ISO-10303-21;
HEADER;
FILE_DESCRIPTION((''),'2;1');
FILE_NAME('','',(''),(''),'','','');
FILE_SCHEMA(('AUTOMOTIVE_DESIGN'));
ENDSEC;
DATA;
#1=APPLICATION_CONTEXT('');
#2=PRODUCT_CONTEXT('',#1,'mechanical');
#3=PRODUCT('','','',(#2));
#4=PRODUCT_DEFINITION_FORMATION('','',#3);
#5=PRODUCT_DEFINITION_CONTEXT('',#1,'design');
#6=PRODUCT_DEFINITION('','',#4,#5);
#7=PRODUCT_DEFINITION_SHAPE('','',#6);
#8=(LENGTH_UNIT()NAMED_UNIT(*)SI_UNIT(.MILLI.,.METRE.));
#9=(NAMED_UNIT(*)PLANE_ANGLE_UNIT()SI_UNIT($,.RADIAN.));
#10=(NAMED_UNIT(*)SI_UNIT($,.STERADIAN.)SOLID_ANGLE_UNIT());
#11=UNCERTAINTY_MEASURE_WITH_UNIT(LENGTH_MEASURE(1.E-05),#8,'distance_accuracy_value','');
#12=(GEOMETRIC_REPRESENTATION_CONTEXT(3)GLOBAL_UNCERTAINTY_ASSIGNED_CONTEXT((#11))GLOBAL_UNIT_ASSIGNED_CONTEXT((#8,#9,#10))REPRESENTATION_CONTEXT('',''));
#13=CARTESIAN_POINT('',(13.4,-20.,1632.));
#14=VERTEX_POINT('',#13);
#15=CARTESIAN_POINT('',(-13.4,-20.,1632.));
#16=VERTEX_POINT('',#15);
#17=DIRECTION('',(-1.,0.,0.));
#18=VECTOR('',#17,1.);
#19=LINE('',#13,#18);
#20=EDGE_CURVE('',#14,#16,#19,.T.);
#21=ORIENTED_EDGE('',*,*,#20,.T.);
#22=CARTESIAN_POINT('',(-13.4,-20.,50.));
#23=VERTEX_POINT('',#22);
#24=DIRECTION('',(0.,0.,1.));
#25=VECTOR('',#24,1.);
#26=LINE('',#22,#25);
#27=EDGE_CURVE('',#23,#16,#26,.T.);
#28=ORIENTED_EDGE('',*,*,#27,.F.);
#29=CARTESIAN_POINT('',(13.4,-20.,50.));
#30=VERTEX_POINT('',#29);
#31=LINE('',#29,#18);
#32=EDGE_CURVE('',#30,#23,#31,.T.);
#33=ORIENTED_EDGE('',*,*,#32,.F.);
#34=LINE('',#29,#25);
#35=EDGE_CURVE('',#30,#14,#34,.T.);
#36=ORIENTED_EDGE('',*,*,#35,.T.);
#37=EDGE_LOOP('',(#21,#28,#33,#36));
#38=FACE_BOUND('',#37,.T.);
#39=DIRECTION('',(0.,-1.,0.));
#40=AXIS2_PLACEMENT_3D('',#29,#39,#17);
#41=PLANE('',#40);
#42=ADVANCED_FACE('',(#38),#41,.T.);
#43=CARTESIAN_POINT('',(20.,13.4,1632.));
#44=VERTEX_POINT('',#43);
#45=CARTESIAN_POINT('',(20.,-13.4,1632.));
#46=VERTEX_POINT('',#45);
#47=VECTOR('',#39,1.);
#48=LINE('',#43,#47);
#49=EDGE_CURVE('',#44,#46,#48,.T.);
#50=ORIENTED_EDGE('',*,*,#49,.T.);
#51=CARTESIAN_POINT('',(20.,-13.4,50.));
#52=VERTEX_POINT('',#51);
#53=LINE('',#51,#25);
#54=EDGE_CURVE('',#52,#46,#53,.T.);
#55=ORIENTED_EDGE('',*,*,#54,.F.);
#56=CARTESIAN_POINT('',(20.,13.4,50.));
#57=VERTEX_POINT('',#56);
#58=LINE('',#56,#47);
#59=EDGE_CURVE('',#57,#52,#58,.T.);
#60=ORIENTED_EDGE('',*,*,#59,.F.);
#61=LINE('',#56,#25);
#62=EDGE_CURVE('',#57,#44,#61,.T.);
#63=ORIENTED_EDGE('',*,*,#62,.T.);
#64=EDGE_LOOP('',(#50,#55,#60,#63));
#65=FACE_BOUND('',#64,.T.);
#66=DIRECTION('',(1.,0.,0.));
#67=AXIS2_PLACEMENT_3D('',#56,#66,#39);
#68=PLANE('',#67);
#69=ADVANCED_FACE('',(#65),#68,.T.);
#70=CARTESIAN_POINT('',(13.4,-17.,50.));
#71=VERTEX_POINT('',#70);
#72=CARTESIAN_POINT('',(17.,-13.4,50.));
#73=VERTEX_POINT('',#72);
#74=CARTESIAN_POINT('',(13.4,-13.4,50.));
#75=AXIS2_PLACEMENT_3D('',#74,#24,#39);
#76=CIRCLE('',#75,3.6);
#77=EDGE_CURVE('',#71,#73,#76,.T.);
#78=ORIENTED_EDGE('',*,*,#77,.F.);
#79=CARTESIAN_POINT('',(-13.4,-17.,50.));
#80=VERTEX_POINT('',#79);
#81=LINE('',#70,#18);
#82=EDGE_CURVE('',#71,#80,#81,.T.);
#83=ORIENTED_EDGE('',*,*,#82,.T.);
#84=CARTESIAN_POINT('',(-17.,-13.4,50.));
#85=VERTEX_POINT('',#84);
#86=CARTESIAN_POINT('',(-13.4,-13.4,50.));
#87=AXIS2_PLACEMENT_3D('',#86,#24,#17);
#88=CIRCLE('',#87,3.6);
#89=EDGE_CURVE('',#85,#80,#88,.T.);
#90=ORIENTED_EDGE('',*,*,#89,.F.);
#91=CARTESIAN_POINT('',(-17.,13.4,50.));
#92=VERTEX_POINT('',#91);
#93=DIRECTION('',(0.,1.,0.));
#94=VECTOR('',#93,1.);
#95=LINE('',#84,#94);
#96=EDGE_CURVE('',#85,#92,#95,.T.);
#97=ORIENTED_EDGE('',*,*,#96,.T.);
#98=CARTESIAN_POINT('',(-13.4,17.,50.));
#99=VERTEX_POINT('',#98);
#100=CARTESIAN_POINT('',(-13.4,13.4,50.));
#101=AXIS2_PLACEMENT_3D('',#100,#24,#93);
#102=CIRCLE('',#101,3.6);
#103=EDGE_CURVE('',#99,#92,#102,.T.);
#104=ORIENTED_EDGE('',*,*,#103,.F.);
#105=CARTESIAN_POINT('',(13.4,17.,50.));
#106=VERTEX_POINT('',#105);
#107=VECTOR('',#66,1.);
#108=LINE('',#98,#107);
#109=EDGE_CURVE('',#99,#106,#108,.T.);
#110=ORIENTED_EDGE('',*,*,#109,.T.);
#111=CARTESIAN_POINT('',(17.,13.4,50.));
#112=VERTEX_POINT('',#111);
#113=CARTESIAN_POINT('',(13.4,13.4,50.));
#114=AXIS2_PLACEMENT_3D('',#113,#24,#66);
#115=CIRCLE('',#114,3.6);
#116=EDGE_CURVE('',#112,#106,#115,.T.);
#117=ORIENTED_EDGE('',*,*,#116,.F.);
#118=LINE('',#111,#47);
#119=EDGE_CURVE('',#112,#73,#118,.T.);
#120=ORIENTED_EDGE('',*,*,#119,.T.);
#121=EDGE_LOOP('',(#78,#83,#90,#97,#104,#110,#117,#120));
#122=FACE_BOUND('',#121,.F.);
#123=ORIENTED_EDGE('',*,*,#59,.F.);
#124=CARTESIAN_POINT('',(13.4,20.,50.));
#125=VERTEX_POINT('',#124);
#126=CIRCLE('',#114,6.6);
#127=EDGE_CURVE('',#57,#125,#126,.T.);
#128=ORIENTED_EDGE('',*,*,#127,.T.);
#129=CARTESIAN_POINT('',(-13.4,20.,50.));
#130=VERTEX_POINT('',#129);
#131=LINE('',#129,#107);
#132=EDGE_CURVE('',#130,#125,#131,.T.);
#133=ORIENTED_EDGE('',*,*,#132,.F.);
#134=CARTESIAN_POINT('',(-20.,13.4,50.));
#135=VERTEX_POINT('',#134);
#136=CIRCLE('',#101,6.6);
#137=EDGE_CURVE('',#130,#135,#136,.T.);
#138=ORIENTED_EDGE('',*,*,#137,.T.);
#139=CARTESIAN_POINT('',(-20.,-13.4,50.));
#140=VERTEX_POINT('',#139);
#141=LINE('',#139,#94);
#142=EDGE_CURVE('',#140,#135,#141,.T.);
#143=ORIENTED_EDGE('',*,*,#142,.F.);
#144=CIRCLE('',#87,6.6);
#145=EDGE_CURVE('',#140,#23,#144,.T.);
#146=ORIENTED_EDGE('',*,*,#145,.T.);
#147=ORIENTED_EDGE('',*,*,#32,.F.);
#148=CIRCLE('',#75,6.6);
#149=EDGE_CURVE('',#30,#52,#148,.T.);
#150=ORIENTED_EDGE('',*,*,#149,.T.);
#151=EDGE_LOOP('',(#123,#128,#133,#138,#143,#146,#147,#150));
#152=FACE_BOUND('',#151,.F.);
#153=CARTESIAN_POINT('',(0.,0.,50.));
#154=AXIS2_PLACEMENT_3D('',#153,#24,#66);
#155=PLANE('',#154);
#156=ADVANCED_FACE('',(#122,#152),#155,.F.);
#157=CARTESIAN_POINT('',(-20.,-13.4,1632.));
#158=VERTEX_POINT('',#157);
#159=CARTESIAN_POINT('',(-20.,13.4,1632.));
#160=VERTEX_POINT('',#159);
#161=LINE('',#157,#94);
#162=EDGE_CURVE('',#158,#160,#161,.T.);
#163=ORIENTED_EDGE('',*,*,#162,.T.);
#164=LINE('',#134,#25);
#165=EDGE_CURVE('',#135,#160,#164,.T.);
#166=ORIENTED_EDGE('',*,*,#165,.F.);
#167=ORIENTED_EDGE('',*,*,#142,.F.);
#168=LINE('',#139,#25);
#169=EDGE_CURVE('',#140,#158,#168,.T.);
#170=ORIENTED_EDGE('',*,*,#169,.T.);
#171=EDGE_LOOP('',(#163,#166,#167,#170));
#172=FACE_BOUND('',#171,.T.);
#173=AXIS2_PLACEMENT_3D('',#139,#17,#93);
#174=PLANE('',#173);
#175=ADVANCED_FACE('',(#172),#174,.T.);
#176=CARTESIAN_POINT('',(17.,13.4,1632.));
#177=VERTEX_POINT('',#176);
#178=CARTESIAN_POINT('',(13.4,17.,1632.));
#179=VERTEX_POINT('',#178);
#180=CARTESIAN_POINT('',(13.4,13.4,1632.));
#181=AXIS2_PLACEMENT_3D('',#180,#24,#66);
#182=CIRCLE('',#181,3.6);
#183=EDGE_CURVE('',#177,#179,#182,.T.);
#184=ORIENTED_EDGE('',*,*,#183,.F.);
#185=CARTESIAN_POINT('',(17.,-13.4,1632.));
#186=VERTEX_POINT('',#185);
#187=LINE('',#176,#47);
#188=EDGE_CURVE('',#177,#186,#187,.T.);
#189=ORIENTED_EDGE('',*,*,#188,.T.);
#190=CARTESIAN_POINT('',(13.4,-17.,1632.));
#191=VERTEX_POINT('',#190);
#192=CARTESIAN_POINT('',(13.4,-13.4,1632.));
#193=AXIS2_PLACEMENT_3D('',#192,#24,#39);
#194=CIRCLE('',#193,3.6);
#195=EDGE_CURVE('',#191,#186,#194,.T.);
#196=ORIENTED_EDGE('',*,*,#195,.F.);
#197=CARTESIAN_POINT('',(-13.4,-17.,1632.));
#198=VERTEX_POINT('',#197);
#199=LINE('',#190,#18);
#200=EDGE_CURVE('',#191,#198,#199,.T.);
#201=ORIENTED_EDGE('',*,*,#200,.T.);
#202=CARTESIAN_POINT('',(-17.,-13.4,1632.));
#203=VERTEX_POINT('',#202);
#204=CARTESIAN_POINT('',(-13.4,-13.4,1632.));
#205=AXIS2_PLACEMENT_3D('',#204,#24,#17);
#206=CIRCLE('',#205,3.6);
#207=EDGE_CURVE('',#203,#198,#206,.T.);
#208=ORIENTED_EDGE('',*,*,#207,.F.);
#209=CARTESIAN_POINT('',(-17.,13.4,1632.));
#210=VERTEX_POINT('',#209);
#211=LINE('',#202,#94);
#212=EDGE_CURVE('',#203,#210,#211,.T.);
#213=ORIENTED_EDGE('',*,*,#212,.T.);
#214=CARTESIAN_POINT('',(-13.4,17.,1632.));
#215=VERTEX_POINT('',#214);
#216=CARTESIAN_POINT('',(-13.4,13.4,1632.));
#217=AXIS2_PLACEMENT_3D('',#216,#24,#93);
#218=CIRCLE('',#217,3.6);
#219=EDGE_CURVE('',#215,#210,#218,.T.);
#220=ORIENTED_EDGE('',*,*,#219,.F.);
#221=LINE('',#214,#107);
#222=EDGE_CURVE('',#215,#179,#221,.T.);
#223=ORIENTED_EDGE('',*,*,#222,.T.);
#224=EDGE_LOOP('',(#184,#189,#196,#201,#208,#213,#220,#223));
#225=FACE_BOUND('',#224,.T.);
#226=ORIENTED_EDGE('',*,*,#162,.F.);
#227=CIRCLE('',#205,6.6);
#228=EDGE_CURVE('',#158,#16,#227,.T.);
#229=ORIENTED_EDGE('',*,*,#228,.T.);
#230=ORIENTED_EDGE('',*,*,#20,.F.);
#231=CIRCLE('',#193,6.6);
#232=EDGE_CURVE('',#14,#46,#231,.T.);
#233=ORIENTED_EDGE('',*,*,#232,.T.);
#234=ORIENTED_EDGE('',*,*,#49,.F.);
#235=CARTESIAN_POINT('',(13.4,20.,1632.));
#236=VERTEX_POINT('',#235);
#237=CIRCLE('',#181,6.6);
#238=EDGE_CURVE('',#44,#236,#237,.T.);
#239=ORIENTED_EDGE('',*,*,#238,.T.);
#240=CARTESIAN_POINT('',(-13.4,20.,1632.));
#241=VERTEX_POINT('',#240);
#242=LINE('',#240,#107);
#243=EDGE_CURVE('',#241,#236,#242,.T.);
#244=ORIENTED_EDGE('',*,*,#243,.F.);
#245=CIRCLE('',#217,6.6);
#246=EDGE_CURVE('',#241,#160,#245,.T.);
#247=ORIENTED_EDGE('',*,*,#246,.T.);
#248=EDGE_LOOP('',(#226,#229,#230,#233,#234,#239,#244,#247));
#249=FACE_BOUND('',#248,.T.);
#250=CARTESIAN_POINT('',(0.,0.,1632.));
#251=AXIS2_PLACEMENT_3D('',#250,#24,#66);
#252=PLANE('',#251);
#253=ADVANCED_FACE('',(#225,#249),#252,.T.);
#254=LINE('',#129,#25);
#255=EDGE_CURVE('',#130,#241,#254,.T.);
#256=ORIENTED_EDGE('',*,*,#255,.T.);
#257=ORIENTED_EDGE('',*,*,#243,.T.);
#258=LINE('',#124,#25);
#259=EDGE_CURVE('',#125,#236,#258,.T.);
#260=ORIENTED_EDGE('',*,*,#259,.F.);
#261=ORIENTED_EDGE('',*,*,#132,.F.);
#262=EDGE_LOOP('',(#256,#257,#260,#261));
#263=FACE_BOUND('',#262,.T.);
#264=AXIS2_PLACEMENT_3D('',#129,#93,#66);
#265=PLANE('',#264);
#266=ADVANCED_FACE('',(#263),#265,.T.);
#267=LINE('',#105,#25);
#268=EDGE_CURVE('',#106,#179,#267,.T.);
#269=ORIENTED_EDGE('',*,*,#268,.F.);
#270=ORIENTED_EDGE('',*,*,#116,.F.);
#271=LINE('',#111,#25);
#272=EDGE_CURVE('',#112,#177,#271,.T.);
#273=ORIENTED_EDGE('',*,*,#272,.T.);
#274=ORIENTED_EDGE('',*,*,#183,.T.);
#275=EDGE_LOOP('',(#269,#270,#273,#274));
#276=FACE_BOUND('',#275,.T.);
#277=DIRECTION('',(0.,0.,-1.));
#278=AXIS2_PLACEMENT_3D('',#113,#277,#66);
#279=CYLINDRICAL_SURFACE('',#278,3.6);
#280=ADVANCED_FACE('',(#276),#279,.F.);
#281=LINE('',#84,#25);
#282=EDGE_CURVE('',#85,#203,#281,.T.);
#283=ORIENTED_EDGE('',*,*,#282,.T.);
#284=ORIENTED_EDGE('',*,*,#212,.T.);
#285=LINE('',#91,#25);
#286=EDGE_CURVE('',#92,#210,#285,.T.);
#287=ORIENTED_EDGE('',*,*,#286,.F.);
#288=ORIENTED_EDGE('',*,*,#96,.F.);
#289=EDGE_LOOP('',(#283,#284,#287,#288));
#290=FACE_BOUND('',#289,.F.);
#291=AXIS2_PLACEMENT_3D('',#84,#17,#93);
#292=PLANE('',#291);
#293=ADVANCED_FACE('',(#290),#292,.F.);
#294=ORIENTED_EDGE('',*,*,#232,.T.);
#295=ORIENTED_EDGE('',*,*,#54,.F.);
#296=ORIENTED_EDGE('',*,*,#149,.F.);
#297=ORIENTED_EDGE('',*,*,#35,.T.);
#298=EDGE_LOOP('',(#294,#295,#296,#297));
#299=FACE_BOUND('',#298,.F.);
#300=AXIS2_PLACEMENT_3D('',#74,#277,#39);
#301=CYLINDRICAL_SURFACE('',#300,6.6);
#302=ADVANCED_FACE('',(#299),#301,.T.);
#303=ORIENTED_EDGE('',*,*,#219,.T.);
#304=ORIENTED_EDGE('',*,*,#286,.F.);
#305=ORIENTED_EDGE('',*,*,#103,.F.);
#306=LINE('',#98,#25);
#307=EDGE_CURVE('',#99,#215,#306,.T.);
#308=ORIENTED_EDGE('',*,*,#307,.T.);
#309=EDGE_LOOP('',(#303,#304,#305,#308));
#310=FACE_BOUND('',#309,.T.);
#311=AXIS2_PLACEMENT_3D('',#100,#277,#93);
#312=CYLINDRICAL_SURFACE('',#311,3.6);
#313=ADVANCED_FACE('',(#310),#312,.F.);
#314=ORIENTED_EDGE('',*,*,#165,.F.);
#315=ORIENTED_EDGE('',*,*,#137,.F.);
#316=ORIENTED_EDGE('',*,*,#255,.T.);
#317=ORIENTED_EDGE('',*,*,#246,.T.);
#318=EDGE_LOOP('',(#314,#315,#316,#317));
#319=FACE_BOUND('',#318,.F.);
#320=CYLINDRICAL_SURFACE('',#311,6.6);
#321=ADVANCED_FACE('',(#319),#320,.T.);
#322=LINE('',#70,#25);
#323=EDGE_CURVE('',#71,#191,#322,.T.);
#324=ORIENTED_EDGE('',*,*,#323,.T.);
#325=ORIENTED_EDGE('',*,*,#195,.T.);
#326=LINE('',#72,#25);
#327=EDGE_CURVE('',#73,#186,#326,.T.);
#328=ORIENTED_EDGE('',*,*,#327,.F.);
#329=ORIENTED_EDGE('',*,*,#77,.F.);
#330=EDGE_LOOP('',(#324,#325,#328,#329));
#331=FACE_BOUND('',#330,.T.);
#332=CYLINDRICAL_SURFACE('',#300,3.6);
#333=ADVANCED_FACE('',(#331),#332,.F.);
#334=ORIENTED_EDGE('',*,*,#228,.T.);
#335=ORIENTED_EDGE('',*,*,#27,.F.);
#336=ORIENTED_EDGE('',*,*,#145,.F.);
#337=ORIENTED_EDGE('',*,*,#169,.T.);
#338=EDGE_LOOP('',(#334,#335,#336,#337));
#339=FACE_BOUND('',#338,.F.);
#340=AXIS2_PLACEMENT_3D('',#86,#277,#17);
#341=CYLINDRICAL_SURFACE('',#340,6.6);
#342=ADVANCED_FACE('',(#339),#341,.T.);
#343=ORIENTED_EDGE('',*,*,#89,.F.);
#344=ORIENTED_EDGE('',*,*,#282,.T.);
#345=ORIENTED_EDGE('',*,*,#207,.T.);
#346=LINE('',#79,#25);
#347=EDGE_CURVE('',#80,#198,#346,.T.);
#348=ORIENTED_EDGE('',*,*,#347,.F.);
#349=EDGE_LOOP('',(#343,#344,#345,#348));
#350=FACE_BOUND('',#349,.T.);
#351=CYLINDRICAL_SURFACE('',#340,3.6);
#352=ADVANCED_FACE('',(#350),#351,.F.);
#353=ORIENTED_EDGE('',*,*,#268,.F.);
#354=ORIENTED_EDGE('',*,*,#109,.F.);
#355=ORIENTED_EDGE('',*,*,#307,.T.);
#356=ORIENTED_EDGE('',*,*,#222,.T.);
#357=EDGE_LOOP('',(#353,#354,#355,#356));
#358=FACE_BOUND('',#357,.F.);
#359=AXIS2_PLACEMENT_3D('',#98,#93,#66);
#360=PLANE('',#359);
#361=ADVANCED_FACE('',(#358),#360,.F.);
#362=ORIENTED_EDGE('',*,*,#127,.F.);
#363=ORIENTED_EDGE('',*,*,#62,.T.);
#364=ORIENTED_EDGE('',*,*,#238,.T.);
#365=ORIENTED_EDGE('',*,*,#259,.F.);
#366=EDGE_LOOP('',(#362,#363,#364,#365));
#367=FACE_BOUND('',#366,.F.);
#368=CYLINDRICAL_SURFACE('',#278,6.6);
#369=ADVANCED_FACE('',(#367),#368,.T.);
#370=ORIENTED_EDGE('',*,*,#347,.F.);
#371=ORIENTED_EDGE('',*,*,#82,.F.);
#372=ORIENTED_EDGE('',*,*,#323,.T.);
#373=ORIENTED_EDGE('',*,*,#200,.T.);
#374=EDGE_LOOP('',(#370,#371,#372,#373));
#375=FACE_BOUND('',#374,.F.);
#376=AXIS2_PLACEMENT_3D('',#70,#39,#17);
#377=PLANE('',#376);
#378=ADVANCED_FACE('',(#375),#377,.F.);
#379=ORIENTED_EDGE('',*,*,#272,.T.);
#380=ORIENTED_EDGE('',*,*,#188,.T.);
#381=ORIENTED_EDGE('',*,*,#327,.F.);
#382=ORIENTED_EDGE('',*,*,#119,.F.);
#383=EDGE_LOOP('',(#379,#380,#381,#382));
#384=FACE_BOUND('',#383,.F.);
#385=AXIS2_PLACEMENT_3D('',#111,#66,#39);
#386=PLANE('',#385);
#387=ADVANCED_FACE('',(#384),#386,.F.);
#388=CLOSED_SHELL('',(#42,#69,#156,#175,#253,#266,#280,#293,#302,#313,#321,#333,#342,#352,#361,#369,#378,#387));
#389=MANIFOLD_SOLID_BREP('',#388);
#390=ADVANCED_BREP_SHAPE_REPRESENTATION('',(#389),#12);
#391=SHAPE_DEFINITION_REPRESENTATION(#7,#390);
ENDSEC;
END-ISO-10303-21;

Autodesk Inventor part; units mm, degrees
ref_plane "Start plane" through (0, 0, 50) normal (0, 0, 1) x (1, 0, 0)
ref_plane "End plane" through (0, 0, 1632) normal (0, 0, 1) x (1, 0, 0)
sketch "Sketch" plane through (0, 0, 0) normal (0, 0, 1) x (1, 0, 0)
  line L0 (-20, -13.4) -> (-20, 13.4)
  line L1 (-13.4, 20) -> (13.4, 20)
  line L2 (20, 13.4) -> (20, -13.4)
  line L3 (13.4, -20) -> (-13.4, -20)
  arc A0 (-20, -13.4) -> (-13.4, -20) centre (-13.4, -13.4) ccw
  arc A1 (-13.4, 20) -> (-20, 13.4) centre (-13.4, 13.4) ccw
  arc A2 (20, 13.4) -> (13.4, 20) centre (13.4, 13.4) ccw
  arc A3 (13.4, -20) -> (20, -13.4) centre (13.4, -13.4) ccw
  arc A4 (-13.4, 17) -> (-17, 13.4) centre (-13.4, 13.4) ccw
  line L4 (-13.4, 17) -> (13.4, 17)
  arc A5 (17, 13.4) -> (13.4, 17) centre (13.4, 13.4) ccw
  line L5 (17, 13.4) -> (17, -13.4)
  arc A6 (13.4, -17) -> (17, -13.4) centre (13.4, -13.4) ccw
  line L6 (13.4, -17) -> (-13.4, -17)
  arc A7 (-17, -13.4) -> (-13.4, -17) centre (-13.4, -13.4) ccw
  line L7 (-17, -13.4) -> (-17, 13.4)
  line L8 (0, 22.0873) -> (0, -22.0873) construction
  line L9 (-22.0873, 0) -> (22.0873, 0) construction
  dimension "d7" = 6.6
  dimension "d10" = 40
  dimension "d11" = 40
  dimension "d12" = 3
  dimension "d15" = 20
  dimension "d16" = 20
extrude "Body" add sketch "Sketch" along normal up to surface (1582 mm away) from surface at 50
sketch "Sketch3" plane through (0, 0, 0) normal (0, 0, 1) x (1, 0, 0)
  line L0 (0, 0) -> (10, 0)
ref_plane "Work Plane3" through (0, 0, 0) normal (0, -1, 0) x (1, 0, 0)
sketch "Sketch4" plane through (0, 0, 0) normal (0, -1, 0) x (1, 0, 0)
  line L0 (-2, 50) -> (12, 50)
  line L1 (-2, 1632) -> (12, 1632)
  dimension "d18" = 1582
ref_plane "Work Plane4" through (9.2, 45, 1632) normal (0, 0, 1) x (1, 0, 0)
split "Split1" plane through (9.2, 45, 1632) removes the side toward (0, 0, 1)
ref_plane "Work Plane5" through (-629.2, 45, 50) normal (0, 0, -1) x (-1, 0, 0)
split "Split2" plane through (-629.2, 45, 50) removes the side toward (0, 0, -1)
ref_plane "Work Plane6" through (-630.2, -705, 1632) normal (0, 0, 1) x (1, 0, 0)
split "Split3" plane through (-630.2, -705, 1632) removes the side toward (0, 0, 1)
equation "\"d7\" = G_IR"
equation "\"d10\" = G_H"
equation "\"d11\" = G_W"
equation "\"d12\" = G_T"
equation "\"d15\" = 0.5 * d10"
equation "\"d16\" = 0.5 * d11"
equation "\"d3\" = G_L"
equation "\"G_W\" = 40"
equation "\"G_H\" = 40"
equation "\"G_T\" = 3"
equation "\"G_IR\" = 6.6"
equation "\"G_L\" = d18"
equation "\"d14\" = G_OFFSET_END + B_L"
equation "\"B_L\" = 1682"
equation "\"G_OFFSET_END\" = -50"
properties part number "DIN EN 10305-5 - 40 x 40 x 3  - 1582" material "Steel, Mild"
